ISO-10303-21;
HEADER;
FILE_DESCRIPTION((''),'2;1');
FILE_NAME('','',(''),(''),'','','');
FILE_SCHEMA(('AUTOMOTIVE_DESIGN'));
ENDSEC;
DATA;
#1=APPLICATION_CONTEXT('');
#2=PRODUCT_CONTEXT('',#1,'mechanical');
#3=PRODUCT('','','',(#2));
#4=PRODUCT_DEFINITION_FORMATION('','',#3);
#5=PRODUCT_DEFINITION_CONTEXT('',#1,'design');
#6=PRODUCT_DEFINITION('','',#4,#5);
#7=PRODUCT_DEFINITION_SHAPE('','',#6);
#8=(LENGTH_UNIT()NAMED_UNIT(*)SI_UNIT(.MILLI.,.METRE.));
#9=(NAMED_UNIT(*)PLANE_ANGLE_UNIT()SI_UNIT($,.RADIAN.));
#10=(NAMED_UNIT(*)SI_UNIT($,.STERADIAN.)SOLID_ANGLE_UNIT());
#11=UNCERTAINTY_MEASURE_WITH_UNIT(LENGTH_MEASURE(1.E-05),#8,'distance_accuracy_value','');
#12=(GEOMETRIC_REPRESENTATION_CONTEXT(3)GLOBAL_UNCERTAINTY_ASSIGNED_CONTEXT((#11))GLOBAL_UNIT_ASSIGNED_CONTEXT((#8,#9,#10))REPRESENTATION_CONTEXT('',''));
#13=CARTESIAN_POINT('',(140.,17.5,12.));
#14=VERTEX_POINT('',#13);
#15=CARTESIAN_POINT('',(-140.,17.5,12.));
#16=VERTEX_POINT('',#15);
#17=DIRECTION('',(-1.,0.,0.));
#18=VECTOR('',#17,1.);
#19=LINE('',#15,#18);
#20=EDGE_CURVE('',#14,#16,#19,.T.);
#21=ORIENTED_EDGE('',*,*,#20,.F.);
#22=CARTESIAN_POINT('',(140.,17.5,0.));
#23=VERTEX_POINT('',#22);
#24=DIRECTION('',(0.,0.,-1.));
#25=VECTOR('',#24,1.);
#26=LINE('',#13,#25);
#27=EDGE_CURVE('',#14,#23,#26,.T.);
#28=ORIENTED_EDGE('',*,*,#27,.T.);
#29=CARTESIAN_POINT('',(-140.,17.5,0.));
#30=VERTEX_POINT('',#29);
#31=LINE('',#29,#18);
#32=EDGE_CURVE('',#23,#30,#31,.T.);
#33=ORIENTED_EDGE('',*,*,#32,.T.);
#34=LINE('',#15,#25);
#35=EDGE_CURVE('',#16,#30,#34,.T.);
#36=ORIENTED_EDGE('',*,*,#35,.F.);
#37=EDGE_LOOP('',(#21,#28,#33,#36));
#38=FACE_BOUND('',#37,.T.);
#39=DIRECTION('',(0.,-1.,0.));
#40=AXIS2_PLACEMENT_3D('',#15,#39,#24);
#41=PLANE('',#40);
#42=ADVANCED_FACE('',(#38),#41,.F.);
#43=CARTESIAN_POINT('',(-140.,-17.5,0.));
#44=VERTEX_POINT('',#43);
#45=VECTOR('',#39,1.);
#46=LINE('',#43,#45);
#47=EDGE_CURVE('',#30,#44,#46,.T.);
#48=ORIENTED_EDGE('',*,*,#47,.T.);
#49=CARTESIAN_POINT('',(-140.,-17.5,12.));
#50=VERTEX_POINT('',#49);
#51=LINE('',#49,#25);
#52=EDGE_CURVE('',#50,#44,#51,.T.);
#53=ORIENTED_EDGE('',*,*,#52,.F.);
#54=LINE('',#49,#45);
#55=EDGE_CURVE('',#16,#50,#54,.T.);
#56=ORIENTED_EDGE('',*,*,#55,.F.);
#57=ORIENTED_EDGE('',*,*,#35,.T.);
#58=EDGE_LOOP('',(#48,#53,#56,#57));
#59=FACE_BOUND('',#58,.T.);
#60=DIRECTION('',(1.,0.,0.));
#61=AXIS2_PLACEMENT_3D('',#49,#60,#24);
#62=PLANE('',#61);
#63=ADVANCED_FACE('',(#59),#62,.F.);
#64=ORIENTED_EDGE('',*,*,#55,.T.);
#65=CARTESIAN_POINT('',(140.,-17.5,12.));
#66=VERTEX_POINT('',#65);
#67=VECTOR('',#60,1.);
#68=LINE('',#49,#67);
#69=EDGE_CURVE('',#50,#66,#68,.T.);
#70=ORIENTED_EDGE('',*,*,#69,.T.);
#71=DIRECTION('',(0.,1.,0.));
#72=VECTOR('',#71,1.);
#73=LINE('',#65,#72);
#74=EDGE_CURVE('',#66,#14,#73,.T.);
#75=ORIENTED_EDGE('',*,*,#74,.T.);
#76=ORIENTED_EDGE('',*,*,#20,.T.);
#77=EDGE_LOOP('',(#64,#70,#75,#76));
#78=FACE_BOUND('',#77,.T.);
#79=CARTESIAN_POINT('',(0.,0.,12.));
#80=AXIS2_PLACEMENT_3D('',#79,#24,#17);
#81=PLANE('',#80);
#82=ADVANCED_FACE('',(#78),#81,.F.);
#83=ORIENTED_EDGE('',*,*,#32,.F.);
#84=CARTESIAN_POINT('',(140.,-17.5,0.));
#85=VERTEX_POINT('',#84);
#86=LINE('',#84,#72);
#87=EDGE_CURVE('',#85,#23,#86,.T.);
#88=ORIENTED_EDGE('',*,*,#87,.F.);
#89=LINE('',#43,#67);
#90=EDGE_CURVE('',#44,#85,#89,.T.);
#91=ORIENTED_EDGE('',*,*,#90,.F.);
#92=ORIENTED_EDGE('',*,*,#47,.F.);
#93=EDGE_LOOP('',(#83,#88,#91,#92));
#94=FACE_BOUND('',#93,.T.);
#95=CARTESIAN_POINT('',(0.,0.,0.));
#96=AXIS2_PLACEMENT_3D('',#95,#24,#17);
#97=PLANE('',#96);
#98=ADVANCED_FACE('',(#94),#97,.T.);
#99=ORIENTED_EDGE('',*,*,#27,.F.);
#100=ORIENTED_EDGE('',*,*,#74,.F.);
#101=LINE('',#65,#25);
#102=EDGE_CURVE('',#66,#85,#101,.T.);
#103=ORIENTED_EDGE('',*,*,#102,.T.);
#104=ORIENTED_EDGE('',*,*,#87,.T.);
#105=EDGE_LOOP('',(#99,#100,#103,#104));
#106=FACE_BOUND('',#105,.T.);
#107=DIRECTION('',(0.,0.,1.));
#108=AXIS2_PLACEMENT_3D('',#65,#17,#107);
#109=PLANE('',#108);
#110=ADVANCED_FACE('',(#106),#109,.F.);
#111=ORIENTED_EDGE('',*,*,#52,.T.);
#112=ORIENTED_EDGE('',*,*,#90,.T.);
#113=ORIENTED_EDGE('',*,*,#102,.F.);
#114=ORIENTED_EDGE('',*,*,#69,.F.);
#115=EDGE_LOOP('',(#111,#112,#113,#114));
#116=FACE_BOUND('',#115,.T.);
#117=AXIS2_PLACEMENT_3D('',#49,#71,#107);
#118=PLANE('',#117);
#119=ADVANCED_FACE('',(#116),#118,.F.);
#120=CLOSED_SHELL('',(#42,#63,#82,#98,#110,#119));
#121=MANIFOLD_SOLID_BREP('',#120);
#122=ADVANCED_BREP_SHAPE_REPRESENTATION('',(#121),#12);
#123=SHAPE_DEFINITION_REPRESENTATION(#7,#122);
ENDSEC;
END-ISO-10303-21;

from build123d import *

# Parameters (mm, degrees)
SKETCH_1_W      = 280
SKETCH_1_H      = 35
EXTRUDE_1_DEPTH = 12


with BuildPart() as part:
    # 草图1 → 凸台-拉伸1 (new body)
    with BuildSketch(Plane.XY):
        Rectangle(SKETCH_1_W, SKETCH_1_H)
    extrude(amount=EXTRUDE_1_DEPTH)


solid = part.part
